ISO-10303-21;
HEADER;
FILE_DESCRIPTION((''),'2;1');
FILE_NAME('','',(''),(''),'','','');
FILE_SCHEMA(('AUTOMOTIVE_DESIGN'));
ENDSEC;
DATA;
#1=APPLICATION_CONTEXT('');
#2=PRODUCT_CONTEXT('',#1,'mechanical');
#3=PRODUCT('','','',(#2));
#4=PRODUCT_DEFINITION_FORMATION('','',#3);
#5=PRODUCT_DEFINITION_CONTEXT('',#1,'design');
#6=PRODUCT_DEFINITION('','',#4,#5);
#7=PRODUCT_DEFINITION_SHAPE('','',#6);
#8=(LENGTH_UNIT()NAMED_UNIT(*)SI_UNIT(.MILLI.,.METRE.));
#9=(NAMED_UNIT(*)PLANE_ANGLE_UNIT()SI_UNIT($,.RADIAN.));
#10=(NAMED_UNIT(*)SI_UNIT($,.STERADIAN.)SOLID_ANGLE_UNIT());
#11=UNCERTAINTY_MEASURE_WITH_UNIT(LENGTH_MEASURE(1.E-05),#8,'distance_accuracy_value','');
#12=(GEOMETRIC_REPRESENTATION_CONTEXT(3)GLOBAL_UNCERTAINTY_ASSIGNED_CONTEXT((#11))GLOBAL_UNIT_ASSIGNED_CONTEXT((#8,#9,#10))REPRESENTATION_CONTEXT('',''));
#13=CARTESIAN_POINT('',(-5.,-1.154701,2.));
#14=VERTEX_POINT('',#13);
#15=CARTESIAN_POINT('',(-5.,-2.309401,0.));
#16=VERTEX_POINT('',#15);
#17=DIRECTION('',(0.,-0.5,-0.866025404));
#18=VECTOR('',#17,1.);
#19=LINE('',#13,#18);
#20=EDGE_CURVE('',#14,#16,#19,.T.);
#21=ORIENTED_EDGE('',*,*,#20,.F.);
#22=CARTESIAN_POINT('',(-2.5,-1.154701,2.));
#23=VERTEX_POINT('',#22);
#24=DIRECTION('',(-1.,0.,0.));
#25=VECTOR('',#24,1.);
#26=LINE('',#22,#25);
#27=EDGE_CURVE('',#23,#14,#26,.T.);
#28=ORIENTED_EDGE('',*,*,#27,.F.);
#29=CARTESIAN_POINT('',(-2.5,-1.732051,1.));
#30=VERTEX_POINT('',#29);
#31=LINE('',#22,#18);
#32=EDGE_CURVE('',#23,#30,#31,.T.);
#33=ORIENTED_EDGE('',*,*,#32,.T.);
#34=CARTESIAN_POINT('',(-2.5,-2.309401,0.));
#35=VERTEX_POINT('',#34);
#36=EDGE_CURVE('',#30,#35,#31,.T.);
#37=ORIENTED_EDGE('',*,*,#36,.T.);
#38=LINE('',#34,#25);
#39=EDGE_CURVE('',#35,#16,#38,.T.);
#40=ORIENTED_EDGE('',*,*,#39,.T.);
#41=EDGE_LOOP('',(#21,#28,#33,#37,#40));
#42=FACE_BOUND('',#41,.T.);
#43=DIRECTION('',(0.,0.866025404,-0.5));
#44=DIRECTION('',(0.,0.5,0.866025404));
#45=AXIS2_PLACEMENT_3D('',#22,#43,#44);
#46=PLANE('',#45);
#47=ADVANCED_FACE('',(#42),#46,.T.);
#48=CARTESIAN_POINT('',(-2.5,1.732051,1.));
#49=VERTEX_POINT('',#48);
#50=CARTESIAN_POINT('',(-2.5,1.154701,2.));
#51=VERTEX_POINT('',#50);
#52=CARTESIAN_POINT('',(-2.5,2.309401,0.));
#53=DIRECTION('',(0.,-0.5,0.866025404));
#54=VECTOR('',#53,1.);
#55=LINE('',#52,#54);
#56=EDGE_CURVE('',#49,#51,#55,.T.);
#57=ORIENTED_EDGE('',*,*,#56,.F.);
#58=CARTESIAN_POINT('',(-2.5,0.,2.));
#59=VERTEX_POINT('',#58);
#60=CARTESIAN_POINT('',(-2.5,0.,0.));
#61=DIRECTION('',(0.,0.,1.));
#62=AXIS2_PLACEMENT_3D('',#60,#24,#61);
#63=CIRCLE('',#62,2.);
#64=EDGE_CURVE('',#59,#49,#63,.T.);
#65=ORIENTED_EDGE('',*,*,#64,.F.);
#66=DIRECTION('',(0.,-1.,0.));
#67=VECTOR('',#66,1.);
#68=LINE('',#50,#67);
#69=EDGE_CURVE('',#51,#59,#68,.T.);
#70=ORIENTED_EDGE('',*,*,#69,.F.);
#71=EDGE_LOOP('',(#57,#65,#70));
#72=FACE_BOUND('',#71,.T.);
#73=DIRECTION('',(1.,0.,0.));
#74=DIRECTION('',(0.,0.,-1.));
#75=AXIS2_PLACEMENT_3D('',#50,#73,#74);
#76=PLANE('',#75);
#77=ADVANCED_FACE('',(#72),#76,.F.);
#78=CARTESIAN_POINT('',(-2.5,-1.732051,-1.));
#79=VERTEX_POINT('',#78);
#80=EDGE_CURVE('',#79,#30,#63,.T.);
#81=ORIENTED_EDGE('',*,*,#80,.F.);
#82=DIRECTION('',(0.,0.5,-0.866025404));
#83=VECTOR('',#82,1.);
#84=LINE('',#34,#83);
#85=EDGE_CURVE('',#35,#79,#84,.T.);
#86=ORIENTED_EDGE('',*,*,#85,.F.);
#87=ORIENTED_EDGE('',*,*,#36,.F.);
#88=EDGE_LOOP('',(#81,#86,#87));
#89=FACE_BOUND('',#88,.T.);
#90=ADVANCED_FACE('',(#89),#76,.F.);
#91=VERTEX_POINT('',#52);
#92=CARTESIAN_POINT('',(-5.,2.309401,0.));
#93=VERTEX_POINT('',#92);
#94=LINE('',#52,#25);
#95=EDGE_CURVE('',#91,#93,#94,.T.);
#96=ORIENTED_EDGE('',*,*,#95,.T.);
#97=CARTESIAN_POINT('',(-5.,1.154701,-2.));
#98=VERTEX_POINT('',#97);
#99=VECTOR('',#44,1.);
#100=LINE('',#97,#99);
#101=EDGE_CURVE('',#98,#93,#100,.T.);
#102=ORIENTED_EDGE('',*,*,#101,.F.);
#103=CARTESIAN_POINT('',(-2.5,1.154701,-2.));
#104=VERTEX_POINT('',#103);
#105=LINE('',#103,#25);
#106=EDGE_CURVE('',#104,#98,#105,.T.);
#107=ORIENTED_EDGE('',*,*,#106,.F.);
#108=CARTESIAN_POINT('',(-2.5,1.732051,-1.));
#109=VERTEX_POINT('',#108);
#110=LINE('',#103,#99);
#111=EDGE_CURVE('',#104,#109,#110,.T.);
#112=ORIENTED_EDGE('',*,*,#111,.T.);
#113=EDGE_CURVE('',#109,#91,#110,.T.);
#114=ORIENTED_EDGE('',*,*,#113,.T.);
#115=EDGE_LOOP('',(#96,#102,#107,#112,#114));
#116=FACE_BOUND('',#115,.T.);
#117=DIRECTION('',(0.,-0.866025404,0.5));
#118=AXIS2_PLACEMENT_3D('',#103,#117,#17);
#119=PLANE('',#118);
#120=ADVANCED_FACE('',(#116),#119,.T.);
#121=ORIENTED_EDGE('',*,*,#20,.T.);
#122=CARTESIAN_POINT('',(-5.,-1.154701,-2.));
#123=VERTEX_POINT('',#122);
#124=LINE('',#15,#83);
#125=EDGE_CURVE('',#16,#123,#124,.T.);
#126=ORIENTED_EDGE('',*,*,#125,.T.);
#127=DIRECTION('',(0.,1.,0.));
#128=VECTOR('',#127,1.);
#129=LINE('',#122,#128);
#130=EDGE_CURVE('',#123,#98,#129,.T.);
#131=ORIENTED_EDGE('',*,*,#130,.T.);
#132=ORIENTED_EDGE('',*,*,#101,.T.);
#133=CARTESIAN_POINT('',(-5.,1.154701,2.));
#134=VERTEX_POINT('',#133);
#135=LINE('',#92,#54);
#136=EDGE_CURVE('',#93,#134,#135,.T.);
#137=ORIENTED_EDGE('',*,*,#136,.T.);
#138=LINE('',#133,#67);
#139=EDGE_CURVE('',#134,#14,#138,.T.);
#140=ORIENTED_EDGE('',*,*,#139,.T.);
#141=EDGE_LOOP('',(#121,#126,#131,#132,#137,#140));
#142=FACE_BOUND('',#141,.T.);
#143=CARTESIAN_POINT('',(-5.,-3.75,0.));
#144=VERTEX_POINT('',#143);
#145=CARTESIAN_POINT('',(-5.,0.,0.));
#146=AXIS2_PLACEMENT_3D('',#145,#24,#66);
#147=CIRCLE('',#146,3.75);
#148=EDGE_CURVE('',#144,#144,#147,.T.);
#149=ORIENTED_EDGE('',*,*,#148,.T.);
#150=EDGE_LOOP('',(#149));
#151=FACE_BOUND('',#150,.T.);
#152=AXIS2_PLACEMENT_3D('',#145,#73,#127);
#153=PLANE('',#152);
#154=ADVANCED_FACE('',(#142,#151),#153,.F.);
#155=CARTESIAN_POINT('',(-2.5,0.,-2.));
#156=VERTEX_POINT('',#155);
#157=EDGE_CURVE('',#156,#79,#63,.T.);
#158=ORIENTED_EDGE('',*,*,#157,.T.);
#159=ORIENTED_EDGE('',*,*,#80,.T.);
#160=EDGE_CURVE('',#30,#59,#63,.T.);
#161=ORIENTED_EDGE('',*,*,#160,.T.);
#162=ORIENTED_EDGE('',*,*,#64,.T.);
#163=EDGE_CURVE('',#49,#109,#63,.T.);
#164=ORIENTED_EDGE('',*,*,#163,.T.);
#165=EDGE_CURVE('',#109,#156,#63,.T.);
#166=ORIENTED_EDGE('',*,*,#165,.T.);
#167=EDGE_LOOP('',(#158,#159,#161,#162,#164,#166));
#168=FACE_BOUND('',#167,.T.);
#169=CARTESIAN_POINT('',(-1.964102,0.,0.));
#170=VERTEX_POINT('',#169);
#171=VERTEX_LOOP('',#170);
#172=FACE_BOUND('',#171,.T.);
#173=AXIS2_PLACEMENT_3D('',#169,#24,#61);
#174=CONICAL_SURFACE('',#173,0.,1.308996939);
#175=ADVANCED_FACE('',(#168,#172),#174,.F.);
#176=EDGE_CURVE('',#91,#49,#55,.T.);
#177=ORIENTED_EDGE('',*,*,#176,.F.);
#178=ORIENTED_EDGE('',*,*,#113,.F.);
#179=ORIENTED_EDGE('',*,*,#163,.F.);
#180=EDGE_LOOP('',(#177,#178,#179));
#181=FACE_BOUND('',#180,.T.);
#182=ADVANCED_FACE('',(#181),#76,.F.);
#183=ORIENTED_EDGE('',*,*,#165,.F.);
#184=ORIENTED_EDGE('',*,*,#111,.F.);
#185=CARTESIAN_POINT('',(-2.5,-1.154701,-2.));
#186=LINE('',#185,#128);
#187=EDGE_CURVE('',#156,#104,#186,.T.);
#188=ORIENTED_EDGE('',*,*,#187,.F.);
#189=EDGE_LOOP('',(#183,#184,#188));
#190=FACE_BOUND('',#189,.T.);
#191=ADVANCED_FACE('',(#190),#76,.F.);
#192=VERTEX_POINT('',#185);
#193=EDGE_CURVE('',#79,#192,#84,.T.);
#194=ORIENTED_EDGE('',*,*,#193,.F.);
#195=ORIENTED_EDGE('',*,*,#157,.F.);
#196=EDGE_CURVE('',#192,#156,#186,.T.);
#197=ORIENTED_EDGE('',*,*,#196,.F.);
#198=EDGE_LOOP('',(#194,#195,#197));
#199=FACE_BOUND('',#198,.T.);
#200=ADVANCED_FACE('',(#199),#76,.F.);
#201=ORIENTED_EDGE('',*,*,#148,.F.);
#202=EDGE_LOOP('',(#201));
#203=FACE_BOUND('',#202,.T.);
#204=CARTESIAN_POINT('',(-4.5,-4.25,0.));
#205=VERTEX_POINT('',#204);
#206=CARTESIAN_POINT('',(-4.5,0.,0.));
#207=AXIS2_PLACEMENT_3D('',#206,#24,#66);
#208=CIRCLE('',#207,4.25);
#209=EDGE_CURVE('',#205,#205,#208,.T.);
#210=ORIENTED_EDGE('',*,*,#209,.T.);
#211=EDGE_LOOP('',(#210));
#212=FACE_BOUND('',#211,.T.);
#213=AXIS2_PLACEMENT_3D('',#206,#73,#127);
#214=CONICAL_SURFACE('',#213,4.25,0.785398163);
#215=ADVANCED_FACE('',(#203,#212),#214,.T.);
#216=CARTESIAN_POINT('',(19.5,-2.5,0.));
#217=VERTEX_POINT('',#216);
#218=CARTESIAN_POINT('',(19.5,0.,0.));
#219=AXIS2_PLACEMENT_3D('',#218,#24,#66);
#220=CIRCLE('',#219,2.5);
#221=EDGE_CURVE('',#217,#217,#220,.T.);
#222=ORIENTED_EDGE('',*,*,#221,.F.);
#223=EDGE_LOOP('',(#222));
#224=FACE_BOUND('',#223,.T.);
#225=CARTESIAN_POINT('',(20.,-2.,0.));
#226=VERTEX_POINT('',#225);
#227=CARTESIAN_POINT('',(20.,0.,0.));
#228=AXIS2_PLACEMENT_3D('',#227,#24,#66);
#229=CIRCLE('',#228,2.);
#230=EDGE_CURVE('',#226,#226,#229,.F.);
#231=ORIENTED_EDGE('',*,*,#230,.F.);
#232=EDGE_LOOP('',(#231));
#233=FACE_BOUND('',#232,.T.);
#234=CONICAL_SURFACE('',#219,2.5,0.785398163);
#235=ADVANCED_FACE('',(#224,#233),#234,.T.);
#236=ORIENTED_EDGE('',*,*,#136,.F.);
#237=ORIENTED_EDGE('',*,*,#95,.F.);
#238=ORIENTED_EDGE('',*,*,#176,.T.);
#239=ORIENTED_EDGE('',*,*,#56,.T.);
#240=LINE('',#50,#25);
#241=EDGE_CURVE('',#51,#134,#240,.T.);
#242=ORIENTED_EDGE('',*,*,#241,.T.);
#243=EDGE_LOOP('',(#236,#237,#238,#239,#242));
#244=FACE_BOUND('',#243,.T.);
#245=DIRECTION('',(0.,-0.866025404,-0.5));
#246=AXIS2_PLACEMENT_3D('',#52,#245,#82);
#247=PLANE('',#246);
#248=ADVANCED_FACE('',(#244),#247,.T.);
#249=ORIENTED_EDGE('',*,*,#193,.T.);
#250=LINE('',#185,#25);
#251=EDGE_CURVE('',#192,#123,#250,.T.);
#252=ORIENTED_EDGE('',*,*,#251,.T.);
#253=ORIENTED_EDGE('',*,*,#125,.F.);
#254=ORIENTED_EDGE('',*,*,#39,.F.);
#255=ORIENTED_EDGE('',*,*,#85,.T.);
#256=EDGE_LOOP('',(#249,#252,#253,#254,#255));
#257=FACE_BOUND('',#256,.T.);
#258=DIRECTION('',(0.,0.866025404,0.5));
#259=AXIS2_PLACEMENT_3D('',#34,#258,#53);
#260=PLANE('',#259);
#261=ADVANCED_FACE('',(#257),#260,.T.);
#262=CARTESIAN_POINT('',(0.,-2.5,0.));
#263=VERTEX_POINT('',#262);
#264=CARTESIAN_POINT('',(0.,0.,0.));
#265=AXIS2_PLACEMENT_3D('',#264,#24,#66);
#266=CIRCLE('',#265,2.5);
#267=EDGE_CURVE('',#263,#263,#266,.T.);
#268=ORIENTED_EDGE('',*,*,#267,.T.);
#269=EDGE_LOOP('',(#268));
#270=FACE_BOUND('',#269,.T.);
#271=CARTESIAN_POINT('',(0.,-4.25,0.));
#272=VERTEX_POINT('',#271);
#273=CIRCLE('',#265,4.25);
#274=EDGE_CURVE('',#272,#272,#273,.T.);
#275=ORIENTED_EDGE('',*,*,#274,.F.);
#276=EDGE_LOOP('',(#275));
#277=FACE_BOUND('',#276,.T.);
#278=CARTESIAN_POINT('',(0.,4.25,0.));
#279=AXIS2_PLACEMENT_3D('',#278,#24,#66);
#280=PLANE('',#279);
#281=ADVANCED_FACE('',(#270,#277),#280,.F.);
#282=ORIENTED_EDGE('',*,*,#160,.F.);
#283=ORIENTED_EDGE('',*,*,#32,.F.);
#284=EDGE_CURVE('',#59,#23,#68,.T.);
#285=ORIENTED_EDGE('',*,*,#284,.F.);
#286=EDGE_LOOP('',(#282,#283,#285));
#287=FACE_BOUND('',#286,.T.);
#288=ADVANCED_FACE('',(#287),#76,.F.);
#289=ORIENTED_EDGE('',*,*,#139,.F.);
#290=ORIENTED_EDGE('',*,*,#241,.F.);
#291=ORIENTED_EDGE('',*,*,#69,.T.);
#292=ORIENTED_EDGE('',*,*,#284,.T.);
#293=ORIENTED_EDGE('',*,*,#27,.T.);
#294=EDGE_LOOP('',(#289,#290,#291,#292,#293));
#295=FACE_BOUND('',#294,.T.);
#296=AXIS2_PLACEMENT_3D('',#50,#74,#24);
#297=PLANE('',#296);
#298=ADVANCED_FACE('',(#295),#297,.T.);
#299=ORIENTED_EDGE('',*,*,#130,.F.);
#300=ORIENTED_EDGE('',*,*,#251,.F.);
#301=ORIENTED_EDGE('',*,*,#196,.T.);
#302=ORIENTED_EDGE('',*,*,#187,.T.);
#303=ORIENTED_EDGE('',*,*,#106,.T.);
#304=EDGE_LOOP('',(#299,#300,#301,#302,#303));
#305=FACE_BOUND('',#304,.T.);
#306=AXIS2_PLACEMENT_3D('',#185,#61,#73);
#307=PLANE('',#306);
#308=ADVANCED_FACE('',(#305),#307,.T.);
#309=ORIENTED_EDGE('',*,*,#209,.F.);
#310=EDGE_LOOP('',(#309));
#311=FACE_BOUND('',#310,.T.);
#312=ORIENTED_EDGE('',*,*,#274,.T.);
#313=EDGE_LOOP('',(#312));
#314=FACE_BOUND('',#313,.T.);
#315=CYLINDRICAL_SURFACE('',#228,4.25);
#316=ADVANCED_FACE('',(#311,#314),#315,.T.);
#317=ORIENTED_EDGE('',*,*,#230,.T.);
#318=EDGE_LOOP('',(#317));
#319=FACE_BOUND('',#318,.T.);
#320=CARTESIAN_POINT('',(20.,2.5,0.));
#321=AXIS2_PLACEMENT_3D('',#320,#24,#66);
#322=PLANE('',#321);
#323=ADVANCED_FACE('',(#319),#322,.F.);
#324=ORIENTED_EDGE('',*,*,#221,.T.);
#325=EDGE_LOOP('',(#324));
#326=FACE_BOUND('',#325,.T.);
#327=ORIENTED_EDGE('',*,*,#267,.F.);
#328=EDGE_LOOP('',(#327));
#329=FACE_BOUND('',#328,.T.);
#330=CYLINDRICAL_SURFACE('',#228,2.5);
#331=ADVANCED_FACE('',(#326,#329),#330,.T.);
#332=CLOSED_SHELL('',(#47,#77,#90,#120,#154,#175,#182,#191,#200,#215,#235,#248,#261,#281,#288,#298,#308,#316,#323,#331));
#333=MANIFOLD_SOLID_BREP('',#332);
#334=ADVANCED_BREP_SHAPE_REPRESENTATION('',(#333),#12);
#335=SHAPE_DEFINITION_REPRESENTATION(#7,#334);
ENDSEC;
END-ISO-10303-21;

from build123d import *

# Parameters (mm, degrees)
CHAMFER1_SIZE      = 0.5
CUT_EXTRUDE1_DEPTH = 2.5


with BuildPart() as part:
    # Sketch1 → Revolve1 (revolve)
    with BuildSketch(Plane.XY):
        Polygon((-5, 0), (-5, 3.75), (-4.5, 4.25), (0, 4.25), (0, 2.5), (20, 2.5), (20, 0), align=None)
    revolve(axis=Axis((20, 0, 0), (-1, 0, 0)))

    # Chamfer1
    chamfer1_edges = [part.edges().sort_by_distance(p)[0] for p in [
        (20, -2.5, 0),
    ]]
    chamfer(chamfer1_edges, length=CHAMFER1_SIZE)

    # Sketch2 → Cut-Revolve1 (revolve, cut)
    with BuildSketch(Plane.XY):
        Polygon((-5, 0), (-5, 2), (-2.5, 2), (-1.964101615, 0), align=None)
    revolve(axis=Axis((-1.964101615, 0, 0), (-1, 0, 0)), mode=Mode.SUBTRACT)

    # Sketch3 → Cut-Extrude1 (cut)
    with BuildSketch(Plane(origin=(-5, 0, 0), x_dir=(0, 0, -1), z_dir=(1, 0, 0))):
        Polygon((-2, 1.154700538), (-2, -1.154700538), (0, -2.309401077), (2, -1.154700538), (2, 1.154700538), (0, 2.309401077), align=None)
    extrude(amount=CUT_EXTRUDE1_DEPTH, mode=Mode.SUBTRACT)


solid = part.part
